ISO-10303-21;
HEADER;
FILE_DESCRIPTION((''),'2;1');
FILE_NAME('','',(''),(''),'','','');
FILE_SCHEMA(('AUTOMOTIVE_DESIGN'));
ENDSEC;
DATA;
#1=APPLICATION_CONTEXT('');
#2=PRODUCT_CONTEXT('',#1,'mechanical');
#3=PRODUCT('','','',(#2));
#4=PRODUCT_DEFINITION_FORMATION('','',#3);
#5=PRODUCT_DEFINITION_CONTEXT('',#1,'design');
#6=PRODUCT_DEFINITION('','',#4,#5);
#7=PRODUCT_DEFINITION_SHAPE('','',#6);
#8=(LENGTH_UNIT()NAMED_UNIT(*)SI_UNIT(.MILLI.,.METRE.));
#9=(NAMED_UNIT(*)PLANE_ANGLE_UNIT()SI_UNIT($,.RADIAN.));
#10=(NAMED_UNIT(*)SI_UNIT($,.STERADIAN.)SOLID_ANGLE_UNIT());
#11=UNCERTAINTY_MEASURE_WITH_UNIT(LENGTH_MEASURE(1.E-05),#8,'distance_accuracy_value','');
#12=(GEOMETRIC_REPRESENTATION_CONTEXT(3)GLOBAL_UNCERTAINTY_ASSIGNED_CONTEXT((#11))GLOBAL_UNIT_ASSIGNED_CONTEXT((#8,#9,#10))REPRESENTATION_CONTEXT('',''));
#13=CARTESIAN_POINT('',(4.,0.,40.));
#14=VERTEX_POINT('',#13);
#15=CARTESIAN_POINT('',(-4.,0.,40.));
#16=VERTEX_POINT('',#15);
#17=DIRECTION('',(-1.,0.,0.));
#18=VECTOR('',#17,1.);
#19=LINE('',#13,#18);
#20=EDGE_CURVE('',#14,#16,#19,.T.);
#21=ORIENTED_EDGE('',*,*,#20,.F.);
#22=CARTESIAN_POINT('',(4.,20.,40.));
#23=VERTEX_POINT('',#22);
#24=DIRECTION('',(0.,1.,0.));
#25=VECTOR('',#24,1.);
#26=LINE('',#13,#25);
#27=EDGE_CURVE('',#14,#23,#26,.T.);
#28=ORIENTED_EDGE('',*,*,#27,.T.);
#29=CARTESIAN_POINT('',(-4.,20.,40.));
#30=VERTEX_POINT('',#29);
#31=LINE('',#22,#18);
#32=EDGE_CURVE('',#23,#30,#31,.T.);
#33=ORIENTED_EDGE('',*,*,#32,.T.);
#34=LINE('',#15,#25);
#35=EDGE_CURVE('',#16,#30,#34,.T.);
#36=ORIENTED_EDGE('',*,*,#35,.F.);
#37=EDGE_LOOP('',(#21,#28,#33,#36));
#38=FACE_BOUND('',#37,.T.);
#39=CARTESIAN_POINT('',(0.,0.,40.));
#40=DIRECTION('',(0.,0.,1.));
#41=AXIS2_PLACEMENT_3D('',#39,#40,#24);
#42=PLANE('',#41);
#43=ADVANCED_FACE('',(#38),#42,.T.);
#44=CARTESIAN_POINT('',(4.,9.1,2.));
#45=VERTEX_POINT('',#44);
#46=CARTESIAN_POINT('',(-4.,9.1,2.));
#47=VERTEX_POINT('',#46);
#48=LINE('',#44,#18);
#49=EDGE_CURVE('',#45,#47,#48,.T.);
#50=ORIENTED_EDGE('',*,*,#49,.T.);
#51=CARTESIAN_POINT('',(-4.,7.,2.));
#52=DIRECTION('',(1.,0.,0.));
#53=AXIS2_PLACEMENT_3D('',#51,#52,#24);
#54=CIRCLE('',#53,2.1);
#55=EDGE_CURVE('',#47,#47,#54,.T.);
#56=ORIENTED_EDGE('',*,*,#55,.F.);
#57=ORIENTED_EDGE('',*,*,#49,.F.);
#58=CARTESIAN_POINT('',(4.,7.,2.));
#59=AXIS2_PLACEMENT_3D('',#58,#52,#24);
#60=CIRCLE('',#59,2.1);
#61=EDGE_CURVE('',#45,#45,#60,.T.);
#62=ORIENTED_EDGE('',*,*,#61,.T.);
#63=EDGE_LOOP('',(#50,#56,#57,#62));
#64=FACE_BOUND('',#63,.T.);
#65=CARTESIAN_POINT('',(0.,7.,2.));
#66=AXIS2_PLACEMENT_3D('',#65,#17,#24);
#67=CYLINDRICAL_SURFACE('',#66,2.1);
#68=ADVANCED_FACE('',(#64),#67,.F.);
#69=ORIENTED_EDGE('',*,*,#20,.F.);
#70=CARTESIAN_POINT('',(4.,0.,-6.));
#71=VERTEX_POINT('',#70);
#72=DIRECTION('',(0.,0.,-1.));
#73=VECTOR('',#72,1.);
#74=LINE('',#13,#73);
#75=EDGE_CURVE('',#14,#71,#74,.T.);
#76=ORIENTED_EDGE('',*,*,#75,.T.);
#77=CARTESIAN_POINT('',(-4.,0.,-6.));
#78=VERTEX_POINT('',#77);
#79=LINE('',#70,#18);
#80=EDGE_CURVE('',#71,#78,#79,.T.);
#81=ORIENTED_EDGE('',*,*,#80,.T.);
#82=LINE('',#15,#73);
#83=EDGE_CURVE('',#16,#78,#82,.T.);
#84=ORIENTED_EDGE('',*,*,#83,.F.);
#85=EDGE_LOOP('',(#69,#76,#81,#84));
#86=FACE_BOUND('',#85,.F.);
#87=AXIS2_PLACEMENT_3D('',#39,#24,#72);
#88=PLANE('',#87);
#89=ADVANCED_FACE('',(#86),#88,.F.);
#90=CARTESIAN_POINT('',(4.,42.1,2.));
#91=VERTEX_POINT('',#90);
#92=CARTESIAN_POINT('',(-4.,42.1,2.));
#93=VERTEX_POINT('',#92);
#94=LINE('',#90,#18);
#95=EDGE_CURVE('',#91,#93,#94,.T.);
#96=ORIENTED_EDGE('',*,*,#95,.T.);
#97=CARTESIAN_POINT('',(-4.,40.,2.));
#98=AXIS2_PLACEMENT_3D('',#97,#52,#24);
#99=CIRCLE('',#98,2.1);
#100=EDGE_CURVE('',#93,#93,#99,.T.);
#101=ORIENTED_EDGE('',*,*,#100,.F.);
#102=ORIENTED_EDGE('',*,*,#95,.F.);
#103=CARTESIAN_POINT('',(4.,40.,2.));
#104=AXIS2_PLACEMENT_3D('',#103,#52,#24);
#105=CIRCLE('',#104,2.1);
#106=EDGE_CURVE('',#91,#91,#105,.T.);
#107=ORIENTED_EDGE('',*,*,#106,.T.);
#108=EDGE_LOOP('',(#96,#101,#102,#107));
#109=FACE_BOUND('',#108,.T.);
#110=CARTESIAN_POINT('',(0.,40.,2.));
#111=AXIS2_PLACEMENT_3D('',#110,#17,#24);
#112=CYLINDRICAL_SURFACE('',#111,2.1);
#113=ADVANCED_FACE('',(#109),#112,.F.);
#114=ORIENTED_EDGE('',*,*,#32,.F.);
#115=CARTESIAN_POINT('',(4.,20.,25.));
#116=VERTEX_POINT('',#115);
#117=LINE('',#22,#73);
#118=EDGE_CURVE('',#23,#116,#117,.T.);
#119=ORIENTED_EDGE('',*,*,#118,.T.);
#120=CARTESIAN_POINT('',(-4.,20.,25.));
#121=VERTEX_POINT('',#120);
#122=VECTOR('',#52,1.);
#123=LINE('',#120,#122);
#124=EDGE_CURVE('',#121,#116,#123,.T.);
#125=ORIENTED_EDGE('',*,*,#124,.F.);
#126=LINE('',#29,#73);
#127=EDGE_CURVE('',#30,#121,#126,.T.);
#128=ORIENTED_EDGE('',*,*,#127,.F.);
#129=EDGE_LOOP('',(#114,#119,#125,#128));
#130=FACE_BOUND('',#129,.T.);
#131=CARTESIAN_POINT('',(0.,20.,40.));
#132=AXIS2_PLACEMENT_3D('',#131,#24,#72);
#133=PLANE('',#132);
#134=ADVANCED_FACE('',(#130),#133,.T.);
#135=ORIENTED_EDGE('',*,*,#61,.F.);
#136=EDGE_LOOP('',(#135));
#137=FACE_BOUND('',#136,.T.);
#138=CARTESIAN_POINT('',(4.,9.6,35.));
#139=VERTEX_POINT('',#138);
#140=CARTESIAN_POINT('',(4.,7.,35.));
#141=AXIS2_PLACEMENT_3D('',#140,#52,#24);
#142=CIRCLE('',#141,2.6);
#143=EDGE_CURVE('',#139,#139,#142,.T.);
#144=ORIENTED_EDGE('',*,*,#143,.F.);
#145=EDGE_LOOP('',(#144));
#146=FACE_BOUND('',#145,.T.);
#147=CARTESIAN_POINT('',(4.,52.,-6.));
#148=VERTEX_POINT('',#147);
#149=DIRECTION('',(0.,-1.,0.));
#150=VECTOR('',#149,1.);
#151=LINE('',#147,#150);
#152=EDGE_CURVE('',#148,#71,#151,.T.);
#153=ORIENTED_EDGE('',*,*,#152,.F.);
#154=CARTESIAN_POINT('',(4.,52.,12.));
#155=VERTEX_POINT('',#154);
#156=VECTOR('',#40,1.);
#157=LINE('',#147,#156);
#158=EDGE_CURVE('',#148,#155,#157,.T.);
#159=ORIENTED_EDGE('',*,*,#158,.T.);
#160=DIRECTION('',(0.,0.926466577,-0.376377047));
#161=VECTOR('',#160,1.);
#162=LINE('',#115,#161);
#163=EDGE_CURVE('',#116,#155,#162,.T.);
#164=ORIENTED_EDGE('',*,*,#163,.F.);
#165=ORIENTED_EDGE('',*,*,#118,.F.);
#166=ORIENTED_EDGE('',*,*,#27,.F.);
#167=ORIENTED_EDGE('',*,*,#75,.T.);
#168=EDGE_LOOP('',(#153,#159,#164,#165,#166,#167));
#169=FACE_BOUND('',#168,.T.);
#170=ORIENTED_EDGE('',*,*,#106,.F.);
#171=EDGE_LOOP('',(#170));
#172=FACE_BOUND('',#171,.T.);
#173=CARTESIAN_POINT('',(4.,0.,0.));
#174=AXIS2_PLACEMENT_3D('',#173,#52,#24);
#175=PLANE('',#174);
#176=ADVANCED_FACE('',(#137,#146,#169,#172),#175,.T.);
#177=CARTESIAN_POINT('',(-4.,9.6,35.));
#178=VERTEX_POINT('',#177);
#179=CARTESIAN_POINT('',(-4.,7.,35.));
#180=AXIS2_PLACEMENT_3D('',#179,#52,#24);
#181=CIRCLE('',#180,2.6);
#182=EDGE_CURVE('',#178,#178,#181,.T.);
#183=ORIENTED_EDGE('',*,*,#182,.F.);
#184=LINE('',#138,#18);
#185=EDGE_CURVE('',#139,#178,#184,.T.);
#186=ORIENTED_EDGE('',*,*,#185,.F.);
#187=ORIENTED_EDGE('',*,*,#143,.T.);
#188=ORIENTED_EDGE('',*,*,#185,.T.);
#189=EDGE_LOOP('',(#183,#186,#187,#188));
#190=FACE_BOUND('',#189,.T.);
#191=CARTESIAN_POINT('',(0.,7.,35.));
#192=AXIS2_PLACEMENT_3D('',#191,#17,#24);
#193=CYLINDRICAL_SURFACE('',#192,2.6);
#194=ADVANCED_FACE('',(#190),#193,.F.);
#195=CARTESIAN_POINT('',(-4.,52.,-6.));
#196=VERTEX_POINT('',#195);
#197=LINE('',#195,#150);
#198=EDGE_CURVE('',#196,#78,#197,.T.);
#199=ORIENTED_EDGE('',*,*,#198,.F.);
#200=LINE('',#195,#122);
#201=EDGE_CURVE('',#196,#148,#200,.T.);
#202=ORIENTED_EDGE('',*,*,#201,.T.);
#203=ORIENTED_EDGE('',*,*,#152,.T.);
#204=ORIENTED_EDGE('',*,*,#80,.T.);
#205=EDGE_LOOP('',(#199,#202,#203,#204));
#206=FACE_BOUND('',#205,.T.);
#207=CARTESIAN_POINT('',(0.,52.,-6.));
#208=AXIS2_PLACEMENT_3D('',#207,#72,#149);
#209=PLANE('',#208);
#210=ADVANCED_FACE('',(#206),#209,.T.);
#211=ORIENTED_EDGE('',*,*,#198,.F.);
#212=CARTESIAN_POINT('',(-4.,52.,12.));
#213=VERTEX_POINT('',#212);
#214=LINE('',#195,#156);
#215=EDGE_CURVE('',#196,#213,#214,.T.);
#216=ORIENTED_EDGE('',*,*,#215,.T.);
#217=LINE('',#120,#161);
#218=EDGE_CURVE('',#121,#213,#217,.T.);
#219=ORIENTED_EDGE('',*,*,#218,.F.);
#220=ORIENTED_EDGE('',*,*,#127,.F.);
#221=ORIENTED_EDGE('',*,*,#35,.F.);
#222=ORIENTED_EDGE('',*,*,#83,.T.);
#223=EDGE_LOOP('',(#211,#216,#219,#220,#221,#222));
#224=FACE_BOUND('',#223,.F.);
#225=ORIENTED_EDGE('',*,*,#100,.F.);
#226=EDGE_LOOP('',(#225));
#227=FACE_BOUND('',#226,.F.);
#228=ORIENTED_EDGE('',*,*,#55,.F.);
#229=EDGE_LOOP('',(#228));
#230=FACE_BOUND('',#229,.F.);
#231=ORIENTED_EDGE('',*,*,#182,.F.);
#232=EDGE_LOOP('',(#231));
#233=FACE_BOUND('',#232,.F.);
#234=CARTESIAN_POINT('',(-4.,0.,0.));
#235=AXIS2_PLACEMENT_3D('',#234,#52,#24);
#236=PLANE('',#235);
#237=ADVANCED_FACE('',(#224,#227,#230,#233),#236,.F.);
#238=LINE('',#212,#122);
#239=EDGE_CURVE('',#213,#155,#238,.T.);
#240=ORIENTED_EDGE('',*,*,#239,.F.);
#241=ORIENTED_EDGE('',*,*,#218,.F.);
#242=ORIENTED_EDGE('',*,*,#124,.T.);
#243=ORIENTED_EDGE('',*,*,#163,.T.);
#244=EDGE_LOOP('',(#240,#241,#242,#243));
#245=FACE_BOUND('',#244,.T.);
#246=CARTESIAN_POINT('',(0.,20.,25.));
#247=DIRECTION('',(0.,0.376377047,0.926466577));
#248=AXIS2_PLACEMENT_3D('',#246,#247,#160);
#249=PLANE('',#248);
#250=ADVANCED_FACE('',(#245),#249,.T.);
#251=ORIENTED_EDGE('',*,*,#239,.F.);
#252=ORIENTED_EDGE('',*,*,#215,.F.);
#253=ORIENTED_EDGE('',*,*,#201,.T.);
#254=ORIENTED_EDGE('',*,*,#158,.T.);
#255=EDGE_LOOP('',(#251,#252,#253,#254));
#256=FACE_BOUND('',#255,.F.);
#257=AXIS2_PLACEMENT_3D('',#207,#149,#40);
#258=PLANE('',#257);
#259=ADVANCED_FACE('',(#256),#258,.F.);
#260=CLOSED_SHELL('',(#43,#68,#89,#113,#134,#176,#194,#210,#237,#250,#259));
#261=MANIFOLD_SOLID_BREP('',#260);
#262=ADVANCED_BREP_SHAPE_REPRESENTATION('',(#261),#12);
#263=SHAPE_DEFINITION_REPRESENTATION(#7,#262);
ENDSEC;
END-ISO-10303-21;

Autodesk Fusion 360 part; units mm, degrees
sketch "Sketch1" plane through (0, 0, 0) normal (1, 0, 0) x (0, 1, 0)
  circle A0 centre (7, 2) radius 2.1
  circle A1 centre (40, 2) radius 2.1
  line L0 (52, -6) -> (0, -6)
  line L1 (52, -6) -> (52, 12)
  circle A2 centre (7, 35) radius 2.6
  line L2 (0, 40) -> (20, 40)
  line L3 (20, 40) -> (20, 25)
  line L4 (20, 25) -> (52, 12)
  line L5 (0, 40) -> (0, -6)
  dimension "d2" = 4.2
  dimension "d4" = 4.2
  dimension "d17" = 52
  dimension "d18" = 5.2
  dimension "d19" = 20
  dimension "d20" = 46
extrude "Extrude1" add sketch "Sketch1" along normal mid plane 8
